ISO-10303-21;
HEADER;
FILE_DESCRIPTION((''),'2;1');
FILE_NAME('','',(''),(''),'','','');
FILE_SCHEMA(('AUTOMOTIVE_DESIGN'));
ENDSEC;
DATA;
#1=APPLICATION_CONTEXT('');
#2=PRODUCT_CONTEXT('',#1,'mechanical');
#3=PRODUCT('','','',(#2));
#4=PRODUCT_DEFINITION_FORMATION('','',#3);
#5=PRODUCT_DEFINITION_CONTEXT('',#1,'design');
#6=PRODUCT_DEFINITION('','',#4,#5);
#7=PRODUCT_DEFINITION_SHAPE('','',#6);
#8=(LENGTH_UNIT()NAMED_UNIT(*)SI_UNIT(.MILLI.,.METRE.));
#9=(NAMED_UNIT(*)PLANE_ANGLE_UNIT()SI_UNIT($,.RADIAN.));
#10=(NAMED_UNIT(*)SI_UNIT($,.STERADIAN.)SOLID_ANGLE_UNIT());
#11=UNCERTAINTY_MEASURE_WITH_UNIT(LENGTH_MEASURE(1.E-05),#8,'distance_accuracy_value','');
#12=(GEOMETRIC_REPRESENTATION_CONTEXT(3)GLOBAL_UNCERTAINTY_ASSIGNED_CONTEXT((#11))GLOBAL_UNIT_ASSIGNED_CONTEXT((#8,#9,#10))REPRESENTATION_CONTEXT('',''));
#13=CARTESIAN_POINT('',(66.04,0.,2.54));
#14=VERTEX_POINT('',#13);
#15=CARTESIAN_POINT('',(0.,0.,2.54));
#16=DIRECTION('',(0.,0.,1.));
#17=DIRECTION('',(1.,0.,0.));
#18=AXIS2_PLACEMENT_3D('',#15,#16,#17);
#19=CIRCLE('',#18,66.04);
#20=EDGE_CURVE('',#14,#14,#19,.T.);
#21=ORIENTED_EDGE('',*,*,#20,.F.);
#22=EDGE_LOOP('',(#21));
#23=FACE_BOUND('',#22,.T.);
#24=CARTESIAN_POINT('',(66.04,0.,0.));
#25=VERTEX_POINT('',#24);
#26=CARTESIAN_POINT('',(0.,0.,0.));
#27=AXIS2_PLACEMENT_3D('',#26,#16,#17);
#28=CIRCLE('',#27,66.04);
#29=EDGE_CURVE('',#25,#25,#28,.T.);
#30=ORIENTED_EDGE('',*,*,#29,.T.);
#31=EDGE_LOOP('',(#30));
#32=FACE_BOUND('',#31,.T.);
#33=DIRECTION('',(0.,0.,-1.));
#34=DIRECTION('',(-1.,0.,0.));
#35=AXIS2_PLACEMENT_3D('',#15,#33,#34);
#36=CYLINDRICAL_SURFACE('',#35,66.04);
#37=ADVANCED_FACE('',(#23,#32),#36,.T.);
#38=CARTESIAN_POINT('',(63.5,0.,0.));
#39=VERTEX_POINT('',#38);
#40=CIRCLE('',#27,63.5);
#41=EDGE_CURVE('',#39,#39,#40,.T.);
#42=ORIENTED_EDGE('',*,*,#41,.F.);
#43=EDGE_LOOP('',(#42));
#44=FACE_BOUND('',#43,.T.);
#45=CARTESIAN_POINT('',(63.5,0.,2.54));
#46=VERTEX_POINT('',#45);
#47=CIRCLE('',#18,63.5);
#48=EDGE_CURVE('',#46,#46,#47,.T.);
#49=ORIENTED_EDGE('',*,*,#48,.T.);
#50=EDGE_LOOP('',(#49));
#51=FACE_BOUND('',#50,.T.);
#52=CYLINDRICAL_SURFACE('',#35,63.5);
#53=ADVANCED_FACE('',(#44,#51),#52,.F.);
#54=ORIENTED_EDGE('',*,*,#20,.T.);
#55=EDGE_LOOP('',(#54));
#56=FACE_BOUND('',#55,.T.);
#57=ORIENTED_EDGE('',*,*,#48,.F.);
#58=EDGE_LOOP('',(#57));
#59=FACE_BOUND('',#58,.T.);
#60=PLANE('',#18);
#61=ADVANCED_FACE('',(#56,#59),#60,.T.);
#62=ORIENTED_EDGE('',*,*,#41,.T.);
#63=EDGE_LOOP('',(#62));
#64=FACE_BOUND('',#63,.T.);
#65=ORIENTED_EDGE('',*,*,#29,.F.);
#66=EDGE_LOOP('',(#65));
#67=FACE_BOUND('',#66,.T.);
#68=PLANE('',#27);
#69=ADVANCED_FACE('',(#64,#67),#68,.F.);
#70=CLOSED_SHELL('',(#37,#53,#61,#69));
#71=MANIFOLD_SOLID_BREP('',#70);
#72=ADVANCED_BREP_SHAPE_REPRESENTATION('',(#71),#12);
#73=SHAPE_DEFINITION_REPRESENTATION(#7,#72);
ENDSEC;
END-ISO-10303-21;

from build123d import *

# Parameters (mm, degrees)
SKETCH1_R           = 66.04
SKETCH1_R_2         = 63.5
BOSS_EXTRUDE1_DEPTH = 2.54


with BuildPart() as part:
    # Sketch1 → Boss-Extrude1 (new body)
    with BuildSketch(Plane.XY):
        Circle(SKETCH1_R)
        Circle(SKETCH1_R_2, mode=Mode.SUBTRACT)
    extrude(amount=BOSS_EXTRUDE1_DEPTH)


solid = part.part
